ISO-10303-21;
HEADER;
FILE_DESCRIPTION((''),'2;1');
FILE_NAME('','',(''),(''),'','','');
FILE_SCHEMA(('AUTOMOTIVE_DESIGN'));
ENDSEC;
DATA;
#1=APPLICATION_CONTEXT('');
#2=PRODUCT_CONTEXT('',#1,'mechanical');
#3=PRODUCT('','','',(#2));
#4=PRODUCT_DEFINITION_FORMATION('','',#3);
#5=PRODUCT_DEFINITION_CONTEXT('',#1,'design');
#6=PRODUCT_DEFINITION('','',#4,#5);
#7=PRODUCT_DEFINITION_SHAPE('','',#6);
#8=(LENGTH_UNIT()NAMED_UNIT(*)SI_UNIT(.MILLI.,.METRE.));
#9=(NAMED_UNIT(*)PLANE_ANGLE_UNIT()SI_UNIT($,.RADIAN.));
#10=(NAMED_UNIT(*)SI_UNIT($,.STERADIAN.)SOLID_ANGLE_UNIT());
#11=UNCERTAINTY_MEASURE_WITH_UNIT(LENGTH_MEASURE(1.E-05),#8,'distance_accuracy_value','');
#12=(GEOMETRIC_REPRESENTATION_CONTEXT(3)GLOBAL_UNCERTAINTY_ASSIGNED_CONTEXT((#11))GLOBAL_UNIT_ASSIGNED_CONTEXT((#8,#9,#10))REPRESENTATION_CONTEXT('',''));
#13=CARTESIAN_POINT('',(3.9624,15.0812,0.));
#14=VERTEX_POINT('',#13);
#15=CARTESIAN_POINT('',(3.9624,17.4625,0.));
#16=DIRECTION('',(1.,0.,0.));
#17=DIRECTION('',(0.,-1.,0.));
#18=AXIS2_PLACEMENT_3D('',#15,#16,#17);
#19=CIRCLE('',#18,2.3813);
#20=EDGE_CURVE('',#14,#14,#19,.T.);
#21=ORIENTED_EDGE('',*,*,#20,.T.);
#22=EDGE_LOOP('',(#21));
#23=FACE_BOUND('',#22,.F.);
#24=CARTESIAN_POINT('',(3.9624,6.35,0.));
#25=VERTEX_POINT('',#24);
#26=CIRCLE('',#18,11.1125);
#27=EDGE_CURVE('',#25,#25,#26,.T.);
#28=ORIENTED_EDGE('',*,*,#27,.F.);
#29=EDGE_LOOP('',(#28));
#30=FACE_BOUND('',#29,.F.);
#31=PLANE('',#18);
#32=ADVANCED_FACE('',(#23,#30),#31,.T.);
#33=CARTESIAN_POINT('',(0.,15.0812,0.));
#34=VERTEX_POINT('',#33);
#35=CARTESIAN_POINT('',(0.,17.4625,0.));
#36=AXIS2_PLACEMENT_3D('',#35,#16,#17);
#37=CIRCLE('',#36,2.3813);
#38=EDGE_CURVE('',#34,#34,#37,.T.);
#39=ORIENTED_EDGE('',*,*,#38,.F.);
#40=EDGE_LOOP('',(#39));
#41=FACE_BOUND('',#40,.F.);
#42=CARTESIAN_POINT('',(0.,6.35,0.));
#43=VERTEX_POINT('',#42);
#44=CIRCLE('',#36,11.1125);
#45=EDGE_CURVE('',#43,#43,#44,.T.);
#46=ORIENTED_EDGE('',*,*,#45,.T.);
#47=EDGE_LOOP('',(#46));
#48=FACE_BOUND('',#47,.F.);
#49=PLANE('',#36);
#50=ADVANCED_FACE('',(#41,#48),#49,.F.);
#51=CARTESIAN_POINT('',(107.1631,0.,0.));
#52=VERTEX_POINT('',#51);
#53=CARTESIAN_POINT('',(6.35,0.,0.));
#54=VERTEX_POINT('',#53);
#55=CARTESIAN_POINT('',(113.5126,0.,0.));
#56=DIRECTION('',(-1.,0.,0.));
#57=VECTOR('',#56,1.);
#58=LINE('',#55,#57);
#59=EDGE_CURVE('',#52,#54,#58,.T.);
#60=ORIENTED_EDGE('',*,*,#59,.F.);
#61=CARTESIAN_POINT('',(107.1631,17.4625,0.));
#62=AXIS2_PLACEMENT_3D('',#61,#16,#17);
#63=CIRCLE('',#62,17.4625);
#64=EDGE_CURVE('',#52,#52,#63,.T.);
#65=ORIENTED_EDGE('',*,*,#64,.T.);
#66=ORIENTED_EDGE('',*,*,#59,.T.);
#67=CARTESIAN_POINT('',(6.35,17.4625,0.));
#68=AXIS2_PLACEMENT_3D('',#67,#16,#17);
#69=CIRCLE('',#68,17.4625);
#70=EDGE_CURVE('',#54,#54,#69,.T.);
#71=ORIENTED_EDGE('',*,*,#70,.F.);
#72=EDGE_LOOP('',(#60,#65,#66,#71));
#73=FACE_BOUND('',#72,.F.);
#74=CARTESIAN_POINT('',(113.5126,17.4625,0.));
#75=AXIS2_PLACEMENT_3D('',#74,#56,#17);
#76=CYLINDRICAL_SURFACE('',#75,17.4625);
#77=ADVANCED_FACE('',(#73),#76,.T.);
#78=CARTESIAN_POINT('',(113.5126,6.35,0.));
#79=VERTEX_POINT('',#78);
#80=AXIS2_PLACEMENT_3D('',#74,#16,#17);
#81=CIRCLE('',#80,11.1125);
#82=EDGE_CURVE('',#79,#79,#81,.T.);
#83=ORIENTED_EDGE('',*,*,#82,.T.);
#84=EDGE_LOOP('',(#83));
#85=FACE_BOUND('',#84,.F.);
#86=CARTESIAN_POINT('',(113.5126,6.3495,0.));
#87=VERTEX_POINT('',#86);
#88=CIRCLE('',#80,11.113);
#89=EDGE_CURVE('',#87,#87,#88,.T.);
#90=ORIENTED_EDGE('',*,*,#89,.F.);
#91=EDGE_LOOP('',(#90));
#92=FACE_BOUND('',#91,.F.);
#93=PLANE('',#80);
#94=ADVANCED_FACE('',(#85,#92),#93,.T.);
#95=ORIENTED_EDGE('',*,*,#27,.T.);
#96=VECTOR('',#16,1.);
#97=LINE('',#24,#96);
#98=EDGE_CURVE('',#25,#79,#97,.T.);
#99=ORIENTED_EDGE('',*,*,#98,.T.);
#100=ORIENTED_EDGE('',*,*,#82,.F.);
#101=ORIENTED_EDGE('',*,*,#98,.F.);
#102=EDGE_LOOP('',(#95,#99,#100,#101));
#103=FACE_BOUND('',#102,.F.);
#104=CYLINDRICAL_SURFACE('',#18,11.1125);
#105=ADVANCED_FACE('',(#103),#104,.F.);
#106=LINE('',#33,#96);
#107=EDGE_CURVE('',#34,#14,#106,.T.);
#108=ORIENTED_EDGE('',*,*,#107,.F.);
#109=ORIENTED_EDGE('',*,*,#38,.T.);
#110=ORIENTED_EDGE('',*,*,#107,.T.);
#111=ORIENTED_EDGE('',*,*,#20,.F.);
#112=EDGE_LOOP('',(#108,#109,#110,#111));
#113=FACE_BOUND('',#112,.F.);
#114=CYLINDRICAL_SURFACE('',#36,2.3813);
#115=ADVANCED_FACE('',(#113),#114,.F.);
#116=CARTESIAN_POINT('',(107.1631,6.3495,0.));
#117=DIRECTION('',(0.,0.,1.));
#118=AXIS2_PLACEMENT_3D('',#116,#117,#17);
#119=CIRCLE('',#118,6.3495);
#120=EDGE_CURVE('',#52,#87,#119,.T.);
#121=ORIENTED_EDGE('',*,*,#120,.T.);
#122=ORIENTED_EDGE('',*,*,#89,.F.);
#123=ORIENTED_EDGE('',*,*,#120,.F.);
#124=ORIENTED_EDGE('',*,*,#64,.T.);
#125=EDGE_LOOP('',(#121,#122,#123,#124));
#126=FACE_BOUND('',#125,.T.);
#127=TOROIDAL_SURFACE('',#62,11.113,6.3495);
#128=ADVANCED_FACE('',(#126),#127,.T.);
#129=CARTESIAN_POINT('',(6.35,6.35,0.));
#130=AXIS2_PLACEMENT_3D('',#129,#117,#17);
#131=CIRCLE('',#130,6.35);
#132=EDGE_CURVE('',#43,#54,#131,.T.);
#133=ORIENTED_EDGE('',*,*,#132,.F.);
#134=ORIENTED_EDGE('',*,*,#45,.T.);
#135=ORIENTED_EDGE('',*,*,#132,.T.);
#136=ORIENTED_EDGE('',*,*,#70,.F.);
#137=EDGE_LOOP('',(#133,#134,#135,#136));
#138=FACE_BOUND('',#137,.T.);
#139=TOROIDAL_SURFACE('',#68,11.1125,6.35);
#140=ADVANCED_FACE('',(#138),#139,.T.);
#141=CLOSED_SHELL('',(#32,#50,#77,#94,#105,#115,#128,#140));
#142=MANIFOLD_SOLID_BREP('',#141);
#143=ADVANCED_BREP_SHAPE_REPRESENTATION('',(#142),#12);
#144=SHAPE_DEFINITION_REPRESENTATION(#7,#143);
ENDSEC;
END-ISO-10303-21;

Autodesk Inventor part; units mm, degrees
ref_plane "YZ Plane" through (0, 0, 0) normal (1, 0, 0) x (0, 1, 0)
ref_plane "XZ Plane" through (0, 0, 0) normal (0, 1, 0) x (-1, 0, 0)
ref_plane "XY Plane" through (0, 0, 0) normal (0, 0, 1) x (1, 0, 0)
sketch "Sketch1" plane through (0, 0, 0) normal (0, 0, 1) x (1, 0, 0)
  line L0 (0, 0) -> (0, 15.0812)
  line L1 (0, 15.0812) -> (3.9624, 15.0812)
  line L2 (3.9624, 15.0812) -> (3.9624, 6.35)
  line L3 (3.9624, 6.35) -> (113.5126, 6.35)
  line L4 (113.5126, 6.35) -> (113.5126, 0)
  line L5 (113.5126, 0) -> (0, 0)
  line L6 (0, 17.4625) -> (113.5126, 17.4625)
  dimension "d0" = 15.0813
  dimension "d1" = 8.7312
  dimension "d2" = 6.35
  dimension "d3" = 113.5126
  dimension "d4" = 3.9624
  dimension "d5" = 113.5126
  dimension "d6" = 2.3813
revolve "Revolution1" add sketch "Sketch1" angle 360 about axis through (0, 17.4625, 0) along (1, 0, 0)
fillet "Fillet1" radius 6.35 1 edges at (0, 34.925, 0)
fillet "Fillet2" radius 6.35 1 edges at (113.5126, 34.925, 0)
properties part number "RubberHandleSleeveDE"
